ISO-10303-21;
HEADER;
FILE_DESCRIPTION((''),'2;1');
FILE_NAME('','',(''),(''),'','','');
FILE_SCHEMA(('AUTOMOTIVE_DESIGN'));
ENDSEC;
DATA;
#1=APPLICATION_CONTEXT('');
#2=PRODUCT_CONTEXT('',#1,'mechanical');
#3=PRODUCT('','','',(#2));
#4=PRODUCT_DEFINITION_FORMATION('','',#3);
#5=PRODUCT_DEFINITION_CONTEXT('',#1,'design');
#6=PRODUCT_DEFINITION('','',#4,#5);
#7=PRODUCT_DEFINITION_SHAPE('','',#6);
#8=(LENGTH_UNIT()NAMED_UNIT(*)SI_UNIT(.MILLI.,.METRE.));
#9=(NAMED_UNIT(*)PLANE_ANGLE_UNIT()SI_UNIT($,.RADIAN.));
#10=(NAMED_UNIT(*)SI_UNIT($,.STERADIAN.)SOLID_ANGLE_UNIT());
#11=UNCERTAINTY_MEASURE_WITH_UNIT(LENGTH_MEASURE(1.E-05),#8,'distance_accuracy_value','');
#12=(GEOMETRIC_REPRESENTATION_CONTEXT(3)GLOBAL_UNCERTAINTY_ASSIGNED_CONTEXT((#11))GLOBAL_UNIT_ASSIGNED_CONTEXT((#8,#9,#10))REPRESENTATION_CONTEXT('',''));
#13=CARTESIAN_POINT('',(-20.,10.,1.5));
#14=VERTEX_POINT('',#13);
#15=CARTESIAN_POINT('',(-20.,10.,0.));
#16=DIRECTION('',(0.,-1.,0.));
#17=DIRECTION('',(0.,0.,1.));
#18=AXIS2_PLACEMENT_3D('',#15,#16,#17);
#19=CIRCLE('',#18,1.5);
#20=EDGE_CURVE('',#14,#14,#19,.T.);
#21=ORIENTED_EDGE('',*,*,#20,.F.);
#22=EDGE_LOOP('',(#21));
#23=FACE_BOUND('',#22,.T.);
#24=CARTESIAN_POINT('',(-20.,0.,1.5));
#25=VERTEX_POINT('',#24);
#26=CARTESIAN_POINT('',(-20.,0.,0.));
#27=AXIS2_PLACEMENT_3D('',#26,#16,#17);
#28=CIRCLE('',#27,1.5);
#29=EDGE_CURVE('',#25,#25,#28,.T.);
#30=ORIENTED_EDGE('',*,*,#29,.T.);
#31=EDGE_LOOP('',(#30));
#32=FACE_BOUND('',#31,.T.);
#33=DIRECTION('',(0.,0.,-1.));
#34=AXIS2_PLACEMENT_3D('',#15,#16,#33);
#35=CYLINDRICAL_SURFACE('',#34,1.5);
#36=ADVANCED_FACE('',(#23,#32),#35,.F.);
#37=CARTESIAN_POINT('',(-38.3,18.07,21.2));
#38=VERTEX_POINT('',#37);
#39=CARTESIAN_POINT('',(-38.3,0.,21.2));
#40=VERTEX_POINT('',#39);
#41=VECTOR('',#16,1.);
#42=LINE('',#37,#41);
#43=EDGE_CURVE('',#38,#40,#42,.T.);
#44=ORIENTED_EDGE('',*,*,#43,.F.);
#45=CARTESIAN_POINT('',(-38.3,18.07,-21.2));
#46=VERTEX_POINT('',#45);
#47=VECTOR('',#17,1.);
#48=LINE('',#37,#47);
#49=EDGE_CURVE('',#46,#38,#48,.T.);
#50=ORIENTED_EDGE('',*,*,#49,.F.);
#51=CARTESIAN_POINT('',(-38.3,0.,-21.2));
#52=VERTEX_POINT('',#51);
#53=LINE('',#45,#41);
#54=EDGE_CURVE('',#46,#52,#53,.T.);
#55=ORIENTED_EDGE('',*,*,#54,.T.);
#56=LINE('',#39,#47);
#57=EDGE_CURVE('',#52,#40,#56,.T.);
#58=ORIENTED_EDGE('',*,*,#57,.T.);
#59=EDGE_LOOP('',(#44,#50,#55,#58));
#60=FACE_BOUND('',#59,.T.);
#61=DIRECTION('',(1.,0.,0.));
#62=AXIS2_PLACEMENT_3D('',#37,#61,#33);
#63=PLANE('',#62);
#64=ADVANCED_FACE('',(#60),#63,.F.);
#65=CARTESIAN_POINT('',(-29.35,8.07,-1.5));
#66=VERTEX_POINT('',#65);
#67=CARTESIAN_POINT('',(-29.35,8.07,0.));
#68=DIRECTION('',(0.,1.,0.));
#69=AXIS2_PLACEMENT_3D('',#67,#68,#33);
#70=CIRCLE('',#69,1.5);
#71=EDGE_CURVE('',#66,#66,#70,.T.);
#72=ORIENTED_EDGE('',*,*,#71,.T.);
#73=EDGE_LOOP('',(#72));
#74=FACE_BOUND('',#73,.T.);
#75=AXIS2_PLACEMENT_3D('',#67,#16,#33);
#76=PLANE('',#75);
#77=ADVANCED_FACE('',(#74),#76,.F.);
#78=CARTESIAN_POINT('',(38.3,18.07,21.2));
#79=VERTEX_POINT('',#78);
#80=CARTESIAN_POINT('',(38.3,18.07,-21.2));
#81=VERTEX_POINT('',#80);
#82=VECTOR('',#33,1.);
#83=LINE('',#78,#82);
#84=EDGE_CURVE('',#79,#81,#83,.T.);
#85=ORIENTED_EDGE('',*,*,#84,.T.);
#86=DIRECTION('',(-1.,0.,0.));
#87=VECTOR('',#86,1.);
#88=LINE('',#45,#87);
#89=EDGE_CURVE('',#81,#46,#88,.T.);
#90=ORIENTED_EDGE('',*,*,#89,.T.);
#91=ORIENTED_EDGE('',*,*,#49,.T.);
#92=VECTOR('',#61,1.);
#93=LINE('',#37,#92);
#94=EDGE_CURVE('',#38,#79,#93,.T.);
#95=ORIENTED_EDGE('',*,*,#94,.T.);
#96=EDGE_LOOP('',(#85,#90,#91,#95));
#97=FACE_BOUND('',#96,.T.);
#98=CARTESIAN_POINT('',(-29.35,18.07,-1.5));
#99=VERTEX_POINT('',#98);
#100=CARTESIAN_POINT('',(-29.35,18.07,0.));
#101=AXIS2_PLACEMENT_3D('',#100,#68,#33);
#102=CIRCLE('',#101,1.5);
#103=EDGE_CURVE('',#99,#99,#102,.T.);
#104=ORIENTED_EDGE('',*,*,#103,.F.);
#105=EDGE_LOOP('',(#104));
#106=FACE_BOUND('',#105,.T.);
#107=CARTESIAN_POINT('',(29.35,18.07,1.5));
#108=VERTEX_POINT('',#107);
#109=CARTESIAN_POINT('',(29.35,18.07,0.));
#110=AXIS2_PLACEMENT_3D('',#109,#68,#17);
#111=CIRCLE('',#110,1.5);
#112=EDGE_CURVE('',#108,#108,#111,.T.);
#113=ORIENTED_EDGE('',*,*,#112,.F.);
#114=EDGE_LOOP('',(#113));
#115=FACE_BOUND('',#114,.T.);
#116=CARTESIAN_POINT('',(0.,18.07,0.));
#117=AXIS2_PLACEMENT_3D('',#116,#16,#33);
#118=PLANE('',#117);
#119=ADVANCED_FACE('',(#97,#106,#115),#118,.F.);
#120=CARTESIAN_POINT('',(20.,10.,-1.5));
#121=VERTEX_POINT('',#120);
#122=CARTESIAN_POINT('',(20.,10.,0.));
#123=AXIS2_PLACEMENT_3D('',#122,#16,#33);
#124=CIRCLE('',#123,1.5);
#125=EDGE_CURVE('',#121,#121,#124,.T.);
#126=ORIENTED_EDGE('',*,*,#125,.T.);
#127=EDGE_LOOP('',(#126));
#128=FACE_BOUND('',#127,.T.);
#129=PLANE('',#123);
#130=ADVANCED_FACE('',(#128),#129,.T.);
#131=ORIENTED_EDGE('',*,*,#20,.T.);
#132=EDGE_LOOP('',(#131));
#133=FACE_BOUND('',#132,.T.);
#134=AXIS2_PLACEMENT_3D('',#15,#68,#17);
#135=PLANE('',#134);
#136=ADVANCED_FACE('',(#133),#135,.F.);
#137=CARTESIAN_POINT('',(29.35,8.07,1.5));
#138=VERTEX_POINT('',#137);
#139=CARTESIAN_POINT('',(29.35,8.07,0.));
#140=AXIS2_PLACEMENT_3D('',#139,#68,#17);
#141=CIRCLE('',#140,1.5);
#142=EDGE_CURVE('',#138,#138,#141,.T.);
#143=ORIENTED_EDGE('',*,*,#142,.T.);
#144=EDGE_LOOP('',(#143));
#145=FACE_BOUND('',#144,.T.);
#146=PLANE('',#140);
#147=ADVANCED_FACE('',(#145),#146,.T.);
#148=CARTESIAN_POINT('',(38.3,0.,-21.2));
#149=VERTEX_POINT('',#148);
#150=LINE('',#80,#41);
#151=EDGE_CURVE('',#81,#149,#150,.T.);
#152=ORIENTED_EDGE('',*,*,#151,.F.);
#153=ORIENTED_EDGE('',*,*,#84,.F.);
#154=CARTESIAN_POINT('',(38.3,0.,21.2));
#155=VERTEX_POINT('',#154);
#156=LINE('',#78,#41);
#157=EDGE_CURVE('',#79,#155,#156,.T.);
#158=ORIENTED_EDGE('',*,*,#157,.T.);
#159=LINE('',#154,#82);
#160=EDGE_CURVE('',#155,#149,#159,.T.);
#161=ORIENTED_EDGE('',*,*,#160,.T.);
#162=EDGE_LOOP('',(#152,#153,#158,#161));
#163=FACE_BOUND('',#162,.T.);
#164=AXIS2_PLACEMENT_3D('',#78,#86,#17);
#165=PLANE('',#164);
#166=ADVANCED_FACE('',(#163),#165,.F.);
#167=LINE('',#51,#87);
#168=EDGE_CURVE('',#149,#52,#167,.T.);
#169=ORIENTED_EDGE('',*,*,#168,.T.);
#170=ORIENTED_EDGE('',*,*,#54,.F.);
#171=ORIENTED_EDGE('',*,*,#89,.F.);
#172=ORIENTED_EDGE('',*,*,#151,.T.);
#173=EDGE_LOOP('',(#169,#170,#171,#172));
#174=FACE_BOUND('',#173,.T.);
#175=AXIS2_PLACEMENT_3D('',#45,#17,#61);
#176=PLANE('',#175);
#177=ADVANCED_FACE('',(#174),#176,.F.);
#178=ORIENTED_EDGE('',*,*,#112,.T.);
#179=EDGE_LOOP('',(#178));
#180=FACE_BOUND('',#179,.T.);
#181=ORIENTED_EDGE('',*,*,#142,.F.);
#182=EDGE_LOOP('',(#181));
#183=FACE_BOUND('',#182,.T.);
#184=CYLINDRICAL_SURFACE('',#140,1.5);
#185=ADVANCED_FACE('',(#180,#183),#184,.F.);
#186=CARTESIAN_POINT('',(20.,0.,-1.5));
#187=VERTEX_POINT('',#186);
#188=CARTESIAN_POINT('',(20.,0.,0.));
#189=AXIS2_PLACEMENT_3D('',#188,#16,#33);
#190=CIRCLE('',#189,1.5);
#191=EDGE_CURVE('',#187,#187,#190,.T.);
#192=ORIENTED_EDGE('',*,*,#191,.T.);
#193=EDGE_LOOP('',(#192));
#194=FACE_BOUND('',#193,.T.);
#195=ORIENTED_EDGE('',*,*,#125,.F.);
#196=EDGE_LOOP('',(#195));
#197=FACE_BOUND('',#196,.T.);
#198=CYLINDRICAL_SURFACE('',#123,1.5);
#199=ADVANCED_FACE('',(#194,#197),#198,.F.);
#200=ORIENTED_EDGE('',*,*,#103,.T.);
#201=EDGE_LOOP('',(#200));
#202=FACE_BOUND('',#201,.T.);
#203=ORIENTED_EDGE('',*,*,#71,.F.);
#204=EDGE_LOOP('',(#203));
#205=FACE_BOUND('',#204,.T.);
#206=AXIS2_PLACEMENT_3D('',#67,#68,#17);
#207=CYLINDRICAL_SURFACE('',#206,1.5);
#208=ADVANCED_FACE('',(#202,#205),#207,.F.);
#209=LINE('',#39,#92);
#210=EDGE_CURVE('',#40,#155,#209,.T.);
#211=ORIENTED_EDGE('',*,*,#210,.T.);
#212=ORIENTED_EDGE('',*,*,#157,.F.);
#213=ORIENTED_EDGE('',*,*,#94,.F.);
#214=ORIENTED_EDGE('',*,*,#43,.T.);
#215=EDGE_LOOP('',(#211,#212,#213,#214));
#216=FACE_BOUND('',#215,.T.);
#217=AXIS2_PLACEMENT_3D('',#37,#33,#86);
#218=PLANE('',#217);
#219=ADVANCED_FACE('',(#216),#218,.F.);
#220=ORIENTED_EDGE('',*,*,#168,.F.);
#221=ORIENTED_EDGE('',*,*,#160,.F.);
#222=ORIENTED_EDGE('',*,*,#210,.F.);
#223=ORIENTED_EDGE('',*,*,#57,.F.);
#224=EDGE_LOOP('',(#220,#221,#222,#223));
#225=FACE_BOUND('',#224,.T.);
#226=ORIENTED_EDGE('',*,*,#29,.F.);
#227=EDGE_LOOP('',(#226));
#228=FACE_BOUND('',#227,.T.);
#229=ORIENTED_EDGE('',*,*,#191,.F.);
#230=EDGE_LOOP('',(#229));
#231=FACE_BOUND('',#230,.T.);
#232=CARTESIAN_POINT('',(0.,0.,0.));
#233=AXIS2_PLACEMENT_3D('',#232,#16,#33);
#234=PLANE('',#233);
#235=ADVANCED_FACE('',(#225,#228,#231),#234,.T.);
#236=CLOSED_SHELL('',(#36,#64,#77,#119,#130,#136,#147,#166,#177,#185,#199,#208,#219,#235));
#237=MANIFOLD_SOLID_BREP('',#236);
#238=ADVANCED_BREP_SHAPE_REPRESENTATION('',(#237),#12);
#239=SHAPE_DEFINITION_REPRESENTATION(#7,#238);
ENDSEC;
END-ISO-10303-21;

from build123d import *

# Parameters (mm, degrees)
SKETCH_1_W          = 76.6
SKETCH_1_H          = 42.4
EXTRUDE_1_DEPTH     = 18.07
SKETCH_2_R          = 1.5
CUT_EXTRUDE_1_DEPTH = 10
SKETCH_3_R          = 1.5
CUT_EXTRUDE_2_DEPTH = 10


with BuildPart() as part:
    # Эскиз1 → Бобышка-Вытянуть1 (new body)
    with BuildSketch(Plane(origin=(0, 0, 0), x_dir=(1, 0, 0), z_dir=(0, 1, 0))):
        Rectangle(SKETCH_1_W, SKETCH_1_H)
    extrude(amount=EXTRUDE_1_DEPTH)

    # Эскиз2 → Вырез-Вытянуть1 (cut)
    with BuildSketch(Plane(origin=(0, 18.07, 0), x_dir=(1, 0, 0), z_dir=(0, 1, 0))):
        with Locations(Location((29.35, 0, 0), (0, 0, 270))):
            Circle(SKETCH_2_R)
        with Locations(Location((-29.35, 0, 0), (0, 0, 90))):
            Circle(SKETCH_2_R)
    extrude(amount=-CUT_EXTRUDE_1_DEPTH, mode=Mode.SUBTRACT)

    # Эскиз3 → Вырез-Вытянуть2 (cut)
    with BuildSketch(Plane.XZ):
        with Locations(Location((20, 0, 0), (0, 0, 270))):
            Circle(SKETCH_3_R)
        with Locations(Location((-20, 0, 0), (0, 0, 90))):
            Circle(SKETCH_3_R)
    extrude(amount=-CUT_EXTRUDE_2_DEPTH, mode=Mode.SUBTRACT)


solid = part.part
